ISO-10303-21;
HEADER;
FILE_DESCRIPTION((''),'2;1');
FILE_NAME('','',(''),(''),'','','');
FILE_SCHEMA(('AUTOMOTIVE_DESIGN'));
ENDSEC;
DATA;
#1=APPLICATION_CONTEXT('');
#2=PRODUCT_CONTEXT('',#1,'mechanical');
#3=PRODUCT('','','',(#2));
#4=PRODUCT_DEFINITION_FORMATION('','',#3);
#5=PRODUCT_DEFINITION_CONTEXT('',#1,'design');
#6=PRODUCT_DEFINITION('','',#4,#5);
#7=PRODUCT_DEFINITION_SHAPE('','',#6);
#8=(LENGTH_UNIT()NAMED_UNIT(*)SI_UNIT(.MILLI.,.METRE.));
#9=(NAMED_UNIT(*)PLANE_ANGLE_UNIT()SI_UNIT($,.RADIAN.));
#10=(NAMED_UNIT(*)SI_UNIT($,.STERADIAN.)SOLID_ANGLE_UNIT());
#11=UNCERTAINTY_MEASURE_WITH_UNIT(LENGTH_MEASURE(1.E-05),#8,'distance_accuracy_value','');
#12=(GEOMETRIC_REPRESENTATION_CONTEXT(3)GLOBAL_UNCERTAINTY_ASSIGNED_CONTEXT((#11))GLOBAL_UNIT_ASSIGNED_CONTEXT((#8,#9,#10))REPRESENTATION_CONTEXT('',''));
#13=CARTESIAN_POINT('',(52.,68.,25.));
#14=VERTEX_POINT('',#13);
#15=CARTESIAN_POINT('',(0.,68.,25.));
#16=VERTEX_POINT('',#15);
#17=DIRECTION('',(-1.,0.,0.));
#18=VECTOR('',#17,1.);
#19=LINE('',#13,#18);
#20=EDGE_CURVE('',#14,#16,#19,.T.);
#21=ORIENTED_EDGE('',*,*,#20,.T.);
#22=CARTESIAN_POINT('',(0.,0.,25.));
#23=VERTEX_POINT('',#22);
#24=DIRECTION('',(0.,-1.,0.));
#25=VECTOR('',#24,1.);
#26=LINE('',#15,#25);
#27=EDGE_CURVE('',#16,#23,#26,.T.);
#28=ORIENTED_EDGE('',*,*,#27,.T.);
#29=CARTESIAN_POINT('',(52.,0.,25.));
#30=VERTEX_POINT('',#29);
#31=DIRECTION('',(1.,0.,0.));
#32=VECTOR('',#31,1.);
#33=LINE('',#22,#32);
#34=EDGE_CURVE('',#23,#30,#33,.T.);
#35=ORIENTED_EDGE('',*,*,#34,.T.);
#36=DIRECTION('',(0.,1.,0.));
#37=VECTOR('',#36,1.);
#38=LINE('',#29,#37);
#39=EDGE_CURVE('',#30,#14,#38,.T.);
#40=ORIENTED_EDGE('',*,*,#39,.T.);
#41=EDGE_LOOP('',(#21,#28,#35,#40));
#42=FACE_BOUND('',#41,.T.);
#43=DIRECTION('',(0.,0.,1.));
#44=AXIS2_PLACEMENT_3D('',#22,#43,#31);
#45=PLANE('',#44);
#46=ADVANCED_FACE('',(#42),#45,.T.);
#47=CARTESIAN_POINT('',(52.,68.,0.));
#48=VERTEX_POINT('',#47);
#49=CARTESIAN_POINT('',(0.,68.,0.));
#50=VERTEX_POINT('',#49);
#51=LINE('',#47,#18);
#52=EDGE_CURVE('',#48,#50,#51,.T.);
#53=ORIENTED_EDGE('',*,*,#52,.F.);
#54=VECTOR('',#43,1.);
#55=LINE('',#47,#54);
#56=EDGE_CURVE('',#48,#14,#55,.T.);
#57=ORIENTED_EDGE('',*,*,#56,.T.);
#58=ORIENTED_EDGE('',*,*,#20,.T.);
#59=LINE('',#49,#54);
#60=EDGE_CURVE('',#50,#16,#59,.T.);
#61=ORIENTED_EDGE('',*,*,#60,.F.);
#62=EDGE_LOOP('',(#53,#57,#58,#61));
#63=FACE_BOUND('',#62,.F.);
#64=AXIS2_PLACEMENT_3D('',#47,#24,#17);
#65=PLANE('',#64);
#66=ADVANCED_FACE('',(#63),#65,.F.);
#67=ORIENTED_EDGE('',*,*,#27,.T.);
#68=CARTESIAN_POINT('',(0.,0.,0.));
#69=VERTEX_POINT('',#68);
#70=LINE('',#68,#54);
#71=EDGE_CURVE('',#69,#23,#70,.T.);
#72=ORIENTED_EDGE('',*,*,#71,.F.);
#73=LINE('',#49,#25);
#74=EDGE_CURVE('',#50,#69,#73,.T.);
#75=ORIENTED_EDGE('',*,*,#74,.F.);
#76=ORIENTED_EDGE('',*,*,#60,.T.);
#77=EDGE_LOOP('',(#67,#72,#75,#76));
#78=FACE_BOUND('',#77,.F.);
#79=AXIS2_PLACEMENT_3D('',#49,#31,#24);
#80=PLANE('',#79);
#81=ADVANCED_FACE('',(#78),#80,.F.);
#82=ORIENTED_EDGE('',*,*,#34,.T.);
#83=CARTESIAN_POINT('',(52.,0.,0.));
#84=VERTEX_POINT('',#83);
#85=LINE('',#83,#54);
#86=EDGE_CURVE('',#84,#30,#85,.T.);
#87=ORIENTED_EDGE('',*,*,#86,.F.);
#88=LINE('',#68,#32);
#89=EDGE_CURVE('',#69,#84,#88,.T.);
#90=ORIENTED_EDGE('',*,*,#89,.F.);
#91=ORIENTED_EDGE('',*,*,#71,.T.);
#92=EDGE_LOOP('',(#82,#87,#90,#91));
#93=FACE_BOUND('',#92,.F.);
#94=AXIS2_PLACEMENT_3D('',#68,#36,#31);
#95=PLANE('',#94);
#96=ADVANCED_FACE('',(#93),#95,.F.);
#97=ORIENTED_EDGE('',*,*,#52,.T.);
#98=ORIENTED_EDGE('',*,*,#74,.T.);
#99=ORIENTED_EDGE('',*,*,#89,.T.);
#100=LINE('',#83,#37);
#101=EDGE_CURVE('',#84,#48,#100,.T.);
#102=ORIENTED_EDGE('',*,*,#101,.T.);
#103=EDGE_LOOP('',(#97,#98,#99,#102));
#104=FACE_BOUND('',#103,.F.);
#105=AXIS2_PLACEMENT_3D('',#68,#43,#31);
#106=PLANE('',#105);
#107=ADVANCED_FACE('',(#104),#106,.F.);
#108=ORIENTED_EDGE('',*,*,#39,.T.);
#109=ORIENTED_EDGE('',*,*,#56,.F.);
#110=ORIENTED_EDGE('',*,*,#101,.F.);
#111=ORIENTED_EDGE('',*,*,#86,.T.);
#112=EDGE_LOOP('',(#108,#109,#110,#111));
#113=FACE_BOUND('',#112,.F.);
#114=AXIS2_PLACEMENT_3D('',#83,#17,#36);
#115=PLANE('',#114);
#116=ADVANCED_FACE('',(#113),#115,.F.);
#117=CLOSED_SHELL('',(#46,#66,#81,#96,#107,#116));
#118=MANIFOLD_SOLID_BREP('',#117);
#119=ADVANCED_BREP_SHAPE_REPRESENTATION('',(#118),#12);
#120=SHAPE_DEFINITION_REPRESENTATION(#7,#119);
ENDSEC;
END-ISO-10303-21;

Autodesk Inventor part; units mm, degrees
ref_plane "YZ Plane" through (0, 0, 0) normal (1, 0, 0) x (0, 1, 0)
ref_plane "XZ Plane" through (0, 0, 0) normal (0, 1, 0) x (-1, 0, 0)
ref_plane "XY Plane" through (0, 0, 0) normal (0, 0, 1) x (1, 0, 0)
sketch "Szkic1" plane through (0, 0, 0) normal (0, 0, 1) x (1, 0, 0)
  line L0 (0, 0) -> (52, 0)
  line L1 (52, 0) -> (52, 68)
  line L2 (52, 68) -> (0, 68)
  line L3 (0, 68) -> (0, 0)
  dimension "d0" = 52
  dimension "d1" = 68
extrude "Wyciągnięcie proste1" add sketch "Szkic1" along normal blind 25
properties part number "motherboard"
